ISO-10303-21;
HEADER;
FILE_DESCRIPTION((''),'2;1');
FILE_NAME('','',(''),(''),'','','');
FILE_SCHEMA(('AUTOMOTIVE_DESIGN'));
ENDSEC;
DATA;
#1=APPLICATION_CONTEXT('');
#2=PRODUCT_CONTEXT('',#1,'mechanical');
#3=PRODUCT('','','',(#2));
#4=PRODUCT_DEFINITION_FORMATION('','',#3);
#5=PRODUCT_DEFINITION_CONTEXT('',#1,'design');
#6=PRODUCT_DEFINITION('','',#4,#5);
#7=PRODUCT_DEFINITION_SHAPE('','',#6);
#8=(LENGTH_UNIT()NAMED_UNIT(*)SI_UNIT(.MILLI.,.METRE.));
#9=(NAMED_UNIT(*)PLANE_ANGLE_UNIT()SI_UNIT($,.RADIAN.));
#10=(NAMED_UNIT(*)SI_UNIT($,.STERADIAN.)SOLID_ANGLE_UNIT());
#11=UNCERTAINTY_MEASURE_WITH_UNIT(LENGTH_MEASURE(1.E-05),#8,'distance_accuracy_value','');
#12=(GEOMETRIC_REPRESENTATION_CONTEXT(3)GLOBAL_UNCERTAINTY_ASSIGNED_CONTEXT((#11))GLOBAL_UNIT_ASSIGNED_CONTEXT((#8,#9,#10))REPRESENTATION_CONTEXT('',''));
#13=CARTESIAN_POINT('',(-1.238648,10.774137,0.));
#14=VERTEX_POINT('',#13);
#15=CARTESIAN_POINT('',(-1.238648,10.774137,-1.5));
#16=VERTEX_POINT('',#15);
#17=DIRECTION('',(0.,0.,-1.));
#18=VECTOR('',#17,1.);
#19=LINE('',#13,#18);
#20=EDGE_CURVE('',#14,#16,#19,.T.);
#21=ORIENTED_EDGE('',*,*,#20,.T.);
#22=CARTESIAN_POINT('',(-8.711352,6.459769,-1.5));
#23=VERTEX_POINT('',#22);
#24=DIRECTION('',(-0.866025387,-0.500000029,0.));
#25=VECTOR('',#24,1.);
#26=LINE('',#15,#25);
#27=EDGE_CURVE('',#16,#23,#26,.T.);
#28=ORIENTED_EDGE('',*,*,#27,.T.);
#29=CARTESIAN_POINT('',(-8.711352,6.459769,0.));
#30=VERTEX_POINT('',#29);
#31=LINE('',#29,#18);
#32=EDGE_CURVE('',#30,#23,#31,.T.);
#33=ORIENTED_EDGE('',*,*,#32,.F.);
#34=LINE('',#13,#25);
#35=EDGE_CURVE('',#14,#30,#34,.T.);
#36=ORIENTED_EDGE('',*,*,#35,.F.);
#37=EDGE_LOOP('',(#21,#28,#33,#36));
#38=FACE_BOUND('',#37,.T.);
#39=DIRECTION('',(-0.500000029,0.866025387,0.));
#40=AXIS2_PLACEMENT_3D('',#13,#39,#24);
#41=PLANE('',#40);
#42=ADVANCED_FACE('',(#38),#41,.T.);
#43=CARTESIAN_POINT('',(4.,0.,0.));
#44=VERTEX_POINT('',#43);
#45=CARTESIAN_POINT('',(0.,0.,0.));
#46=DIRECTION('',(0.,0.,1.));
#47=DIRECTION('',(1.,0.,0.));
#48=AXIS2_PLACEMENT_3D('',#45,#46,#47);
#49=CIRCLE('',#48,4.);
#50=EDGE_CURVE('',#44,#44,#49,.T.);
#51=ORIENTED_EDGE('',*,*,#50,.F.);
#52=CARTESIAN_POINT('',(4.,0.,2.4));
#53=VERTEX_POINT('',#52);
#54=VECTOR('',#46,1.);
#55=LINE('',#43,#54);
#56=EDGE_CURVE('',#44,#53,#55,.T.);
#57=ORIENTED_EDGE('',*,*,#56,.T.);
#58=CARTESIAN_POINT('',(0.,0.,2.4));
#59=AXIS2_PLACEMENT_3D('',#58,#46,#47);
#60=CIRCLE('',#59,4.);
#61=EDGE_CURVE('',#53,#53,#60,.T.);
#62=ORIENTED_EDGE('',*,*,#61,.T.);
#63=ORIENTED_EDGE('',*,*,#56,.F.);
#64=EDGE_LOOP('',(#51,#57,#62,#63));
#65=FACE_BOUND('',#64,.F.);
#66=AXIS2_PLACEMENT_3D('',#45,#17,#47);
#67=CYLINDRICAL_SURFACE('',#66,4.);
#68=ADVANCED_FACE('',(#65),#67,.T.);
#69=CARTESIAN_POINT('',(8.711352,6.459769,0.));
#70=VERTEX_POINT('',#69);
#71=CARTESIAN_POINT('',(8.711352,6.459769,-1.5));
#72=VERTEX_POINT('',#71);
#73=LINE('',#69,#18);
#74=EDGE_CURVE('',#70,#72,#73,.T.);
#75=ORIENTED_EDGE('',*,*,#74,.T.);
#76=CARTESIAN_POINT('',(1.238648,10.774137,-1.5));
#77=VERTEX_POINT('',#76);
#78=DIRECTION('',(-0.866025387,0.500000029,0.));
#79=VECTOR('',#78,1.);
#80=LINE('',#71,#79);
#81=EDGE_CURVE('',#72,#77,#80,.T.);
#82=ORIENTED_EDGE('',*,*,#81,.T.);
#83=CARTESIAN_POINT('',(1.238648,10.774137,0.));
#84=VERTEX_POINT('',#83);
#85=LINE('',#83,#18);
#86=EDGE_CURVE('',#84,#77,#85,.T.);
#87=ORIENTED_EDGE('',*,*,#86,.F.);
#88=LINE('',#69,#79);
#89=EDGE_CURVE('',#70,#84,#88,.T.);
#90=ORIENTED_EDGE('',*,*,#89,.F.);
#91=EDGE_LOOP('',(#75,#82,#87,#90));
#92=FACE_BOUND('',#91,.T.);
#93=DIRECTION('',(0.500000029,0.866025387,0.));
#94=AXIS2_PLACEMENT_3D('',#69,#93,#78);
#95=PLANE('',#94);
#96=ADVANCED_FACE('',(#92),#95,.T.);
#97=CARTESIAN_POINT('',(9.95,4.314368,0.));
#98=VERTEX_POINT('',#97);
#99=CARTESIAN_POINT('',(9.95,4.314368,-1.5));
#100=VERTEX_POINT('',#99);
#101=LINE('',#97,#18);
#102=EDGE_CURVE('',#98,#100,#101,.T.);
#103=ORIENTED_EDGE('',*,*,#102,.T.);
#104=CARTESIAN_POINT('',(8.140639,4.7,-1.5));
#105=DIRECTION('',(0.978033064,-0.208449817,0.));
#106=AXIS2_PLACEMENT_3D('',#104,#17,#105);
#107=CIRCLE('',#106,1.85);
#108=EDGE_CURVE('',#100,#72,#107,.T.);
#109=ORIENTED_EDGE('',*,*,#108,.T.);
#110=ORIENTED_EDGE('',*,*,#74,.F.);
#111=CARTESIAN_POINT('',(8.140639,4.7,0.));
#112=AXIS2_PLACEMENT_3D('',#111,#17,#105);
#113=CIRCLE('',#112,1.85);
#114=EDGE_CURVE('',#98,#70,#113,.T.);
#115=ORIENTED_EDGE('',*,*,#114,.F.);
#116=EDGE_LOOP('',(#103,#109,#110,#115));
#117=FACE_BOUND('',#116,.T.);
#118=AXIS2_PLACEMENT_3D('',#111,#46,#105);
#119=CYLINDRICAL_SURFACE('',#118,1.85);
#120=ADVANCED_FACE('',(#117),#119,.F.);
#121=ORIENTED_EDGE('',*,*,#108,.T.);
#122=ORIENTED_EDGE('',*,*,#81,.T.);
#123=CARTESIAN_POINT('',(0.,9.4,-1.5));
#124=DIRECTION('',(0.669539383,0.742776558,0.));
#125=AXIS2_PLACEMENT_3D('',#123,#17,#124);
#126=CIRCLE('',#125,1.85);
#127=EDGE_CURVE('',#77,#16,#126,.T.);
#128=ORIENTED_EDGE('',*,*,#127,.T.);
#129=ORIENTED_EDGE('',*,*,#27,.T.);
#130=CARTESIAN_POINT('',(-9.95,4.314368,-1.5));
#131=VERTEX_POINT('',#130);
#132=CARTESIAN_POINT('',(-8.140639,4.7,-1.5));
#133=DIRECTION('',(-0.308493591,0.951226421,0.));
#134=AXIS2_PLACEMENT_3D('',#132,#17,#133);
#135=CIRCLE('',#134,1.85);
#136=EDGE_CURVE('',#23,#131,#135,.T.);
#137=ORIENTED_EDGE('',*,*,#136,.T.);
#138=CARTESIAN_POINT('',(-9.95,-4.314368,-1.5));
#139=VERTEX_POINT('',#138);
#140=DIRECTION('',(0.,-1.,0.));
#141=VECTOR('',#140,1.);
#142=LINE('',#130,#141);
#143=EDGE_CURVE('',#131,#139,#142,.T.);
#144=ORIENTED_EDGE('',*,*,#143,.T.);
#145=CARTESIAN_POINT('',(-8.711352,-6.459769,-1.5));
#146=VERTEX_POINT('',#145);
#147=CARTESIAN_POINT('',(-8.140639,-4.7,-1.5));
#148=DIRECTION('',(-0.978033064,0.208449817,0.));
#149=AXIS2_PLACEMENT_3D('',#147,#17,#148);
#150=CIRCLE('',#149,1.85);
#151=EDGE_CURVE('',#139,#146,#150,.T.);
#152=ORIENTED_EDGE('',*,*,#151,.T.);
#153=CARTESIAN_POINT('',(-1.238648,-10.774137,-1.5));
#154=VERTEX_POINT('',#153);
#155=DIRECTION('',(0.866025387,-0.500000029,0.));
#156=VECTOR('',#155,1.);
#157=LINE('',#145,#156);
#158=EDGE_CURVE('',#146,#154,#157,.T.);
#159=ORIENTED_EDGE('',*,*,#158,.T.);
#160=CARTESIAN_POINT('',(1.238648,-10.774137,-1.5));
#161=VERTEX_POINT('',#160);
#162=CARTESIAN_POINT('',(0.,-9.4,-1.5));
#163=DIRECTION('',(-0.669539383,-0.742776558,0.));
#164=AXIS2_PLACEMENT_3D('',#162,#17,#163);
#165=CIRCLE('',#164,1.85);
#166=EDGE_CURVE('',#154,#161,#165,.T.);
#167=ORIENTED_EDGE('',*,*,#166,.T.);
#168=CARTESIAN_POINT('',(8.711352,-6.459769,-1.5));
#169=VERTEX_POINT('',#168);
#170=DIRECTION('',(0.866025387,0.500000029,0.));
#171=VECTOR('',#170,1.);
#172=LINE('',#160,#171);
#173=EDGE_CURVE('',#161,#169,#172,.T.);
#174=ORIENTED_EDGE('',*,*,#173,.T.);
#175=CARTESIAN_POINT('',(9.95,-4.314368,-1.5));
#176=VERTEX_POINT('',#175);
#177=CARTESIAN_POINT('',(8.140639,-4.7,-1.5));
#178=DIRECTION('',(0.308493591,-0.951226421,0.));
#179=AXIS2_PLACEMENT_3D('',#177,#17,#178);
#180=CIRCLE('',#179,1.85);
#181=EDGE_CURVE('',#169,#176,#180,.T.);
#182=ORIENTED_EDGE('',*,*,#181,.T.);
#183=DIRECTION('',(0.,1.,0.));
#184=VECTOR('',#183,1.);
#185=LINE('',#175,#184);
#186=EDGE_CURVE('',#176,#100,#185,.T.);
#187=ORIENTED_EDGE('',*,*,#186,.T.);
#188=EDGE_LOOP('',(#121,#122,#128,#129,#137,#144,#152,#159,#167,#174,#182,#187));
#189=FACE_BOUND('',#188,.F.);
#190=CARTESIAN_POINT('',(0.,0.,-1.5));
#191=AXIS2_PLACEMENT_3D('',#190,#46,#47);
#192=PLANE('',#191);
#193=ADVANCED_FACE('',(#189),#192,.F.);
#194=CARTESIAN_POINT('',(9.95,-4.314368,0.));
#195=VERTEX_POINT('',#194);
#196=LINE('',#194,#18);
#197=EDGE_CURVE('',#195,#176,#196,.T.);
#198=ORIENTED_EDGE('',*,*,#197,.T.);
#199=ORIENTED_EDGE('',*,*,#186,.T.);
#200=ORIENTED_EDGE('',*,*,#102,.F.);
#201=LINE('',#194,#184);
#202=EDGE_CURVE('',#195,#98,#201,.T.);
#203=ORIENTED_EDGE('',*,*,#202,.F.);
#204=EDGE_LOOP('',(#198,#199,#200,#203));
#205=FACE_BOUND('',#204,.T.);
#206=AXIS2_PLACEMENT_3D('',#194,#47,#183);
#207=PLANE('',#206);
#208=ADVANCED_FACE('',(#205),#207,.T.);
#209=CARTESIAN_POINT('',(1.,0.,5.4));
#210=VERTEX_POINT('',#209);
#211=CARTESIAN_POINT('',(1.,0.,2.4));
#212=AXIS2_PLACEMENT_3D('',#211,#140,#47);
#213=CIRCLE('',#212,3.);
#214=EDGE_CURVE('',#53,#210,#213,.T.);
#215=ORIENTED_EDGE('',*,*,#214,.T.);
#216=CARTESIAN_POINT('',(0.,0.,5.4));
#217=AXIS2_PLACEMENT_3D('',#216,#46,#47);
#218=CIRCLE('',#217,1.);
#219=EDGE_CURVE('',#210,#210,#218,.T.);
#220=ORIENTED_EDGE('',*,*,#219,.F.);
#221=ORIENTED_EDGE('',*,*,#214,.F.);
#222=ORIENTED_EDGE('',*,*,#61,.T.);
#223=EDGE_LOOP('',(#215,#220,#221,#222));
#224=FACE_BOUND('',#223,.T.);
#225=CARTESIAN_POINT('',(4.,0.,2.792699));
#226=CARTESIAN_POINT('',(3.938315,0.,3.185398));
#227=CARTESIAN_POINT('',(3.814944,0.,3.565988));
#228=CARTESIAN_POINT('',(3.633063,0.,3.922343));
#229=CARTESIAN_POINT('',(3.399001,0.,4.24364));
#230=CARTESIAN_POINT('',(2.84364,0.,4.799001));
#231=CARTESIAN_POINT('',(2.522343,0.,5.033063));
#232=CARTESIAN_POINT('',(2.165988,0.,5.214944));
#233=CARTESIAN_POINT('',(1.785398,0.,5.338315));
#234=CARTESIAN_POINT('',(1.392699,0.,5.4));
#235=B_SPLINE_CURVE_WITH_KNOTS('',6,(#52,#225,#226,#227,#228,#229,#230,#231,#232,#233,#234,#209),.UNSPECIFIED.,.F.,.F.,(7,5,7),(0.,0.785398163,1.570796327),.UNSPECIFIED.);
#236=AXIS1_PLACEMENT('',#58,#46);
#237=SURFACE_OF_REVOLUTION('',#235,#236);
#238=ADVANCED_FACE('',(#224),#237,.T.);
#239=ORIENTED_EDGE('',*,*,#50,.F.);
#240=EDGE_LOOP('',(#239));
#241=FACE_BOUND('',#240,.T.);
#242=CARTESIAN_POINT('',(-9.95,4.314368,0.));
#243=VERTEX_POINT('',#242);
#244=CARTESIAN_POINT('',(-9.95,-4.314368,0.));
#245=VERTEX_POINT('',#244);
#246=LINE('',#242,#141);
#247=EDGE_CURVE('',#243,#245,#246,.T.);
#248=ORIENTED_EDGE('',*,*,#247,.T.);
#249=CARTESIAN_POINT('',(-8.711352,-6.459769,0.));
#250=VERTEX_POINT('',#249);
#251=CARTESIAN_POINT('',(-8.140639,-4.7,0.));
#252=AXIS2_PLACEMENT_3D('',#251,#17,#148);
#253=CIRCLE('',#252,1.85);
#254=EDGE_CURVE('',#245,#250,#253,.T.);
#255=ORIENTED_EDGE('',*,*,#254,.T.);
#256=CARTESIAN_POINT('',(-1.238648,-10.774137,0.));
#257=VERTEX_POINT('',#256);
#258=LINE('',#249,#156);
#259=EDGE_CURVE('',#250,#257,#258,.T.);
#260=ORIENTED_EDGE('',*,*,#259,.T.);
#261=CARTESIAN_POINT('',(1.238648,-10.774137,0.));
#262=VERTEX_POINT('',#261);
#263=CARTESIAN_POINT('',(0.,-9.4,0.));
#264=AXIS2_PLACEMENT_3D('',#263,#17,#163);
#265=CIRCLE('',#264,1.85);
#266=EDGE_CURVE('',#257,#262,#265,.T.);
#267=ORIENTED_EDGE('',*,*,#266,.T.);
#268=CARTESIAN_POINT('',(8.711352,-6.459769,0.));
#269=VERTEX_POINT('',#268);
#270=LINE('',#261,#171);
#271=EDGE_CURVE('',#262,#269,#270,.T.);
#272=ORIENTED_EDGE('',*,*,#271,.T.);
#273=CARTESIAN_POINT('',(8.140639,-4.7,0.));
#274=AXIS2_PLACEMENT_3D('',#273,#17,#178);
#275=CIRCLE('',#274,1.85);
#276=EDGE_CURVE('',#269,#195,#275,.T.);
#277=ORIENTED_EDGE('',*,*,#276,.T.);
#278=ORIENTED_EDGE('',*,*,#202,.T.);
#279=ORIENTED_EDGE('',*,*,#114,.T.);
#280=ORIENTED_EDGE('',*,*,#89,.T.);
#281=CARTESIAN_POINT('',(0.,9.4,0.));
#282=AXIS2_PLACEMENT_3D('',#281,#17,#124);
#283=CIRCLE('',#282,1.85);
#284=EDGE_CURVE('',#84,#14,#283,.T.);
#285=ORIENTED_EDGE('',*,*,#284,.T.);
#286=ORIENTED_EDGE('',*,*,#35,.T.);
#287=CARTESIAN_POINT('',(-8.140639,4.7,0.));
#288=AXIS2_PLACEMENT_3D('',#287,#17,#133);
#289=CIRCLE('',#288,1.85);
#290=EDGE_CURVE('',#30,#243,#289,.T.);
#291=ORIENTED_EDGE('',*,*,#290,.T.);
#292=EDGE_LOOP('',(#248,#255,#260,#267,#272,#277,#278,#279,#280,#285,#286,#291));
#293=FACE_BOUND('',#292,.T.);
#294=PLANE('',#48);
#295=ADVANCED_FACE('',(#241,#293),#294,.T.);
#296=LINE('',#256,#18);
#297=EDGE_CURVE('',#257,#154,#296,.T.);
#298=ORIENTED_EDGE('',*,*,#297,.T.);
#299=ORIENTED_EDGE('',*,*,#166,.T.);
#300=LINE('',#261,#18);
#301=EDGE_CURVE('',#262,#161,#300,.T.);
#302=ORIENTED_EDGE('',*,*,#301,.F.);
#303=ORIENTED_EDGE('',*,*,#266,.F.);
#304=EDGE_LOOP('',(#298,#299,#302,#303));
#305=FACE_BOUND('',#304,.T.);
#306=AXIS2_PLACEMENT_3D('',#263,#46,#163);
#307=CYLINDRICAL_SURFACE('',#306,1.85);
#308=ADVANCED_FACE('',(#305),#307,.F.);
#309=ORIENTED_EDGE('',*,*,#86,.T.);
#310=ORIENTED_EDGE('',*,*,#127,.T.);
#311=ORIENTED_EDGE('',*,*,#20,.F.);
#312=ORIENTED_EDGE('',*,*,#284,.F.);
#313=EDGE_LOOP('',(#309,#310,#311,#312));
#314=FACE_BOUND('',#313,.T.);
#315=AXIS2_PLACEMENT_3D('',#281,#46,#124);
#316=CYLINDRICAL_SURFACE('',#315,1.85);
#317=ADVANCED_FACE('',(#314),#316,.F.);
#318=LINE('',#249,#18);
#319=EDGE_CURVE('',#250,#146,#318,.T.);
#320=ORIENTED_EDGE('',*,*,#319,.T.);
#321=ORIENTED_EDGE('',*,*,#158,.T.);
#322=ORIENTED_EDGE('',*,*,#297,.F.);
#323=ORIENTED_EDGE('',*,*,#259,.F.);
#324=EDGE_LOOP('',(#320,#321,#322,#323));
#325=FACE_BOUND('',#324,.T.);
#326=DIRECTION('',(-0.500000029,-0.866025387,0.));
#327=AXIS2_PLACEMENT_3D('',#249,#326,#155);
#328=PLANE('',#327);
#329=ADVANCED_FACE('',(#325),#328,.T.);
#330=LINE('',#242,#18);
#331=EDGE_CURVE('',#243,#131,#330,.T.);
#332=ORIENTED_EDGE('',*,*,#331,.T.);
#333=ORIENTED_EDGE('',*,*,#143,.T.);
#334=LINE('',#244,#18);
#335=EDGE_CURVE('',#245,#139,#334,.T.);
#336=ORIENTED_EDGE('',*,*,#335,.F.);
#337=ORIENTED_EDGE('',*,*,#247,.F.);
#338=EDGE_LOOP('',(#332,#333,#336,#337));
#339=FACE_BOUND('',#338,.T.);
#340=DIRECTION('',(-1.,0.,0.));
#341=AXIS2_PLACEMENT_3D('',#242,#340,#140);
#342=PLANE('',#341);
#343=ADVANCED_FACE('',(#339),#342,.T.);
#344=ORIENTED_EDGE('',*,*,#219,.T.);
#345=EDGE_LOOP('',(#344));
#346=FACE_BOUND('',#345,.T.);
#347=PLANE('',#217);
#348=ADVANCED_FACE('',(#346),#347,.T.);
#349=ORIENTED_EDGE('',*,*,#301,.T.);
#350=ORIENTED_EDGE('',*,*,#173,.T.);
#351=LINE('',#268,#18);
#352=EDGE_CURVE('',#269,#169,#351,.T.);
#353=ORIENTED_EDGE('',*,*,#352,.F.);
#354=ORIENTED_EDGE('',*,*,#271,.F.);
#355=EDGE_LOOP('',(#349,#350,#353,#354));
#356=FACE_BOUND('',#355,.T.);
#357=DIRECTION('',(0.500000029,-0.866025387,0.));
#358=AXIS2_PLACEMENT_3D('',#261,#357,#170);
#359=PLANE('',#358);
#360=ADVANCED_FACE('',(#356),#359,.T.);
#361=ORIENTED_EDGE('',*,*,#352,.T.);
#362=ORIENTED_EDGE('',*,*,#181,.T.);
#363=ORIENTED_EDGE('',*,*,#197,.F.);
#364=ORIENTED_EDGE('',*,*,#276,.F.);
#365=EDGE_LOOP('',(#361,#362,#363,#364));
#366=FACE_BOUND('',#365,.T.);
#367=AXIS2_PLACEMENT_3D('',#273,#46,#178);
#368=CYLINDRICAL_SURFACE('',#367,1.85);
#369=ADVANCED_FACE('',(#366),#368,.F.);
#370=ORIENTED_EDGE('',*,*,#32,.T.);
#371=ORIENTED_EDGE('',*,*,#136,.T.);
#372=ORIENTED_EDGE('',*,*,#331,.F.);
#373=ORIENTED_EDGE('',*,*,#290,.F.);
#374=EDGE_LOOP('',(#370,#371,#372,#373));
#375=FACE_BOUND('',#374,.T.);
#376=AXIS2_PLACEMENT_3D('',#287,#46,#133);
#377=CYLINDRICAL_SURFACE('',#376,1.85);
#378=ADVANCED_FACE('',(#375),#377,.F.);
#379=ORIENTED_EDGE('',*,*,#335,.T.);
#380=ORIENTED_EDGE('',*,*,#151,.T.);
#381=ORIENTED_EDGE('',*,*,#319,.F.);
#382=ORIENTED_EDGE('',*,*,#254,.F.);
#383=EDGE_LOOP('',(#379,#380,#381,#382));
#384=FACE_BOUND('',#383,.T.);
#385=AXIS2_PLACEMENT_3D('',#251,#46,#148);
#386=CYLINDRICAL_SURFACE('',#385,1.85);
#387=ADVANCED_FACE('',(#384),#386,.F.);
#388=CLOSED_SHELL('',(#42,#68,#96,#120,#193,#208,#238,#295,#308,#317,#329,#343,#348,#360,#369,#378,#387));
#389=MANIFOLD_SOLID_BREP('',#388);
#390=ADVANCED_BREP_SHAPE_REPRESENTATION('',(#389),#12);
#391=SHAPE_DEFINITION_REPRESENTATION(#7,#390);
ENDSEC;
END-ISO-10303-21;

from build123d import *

# Parameters (mm, degrees)
F1_DEPTH = 1.5
F2_R     = 4
F3_DEPTH = 5.4
F4_R     = 3


with BuildPart() as f1:
    # F0 (on Top) → F1 (new body)
    with BuildSketch(Plane.XY):
        with BuildLine():
            Line((9.95, -4.314368), (9.95, 4.314368))
            ThreePointArc((9.95, 4.314368), (6.538492, 3.775), (8.711352, 6.459769))
            Line((8.711352, 6.459769), (1.238648, 10.774137))
            ThreePointArc((1.238648, 10.774137), (0, 7.55), (-1.238648, 10.774137))
            Line((-1.238648, 10.774137), (-8.711352, 6.459769))
            ThreePointArc((-8.711352, 6.459769), (-6.538492, 3.775), (-9.95, 4.314368))
            Line((-9.95, 4.314368), (-9.95, -4.314368))
            ThreePointArc((-9.95, -4.314368), (-6.538492, -3.775), (-8.711352, -6.459769))
            Line((-8.711352, -6.459769), (-1.238648, -10.774137))
            ThreePointArc((-1.238648, -10.774137), (0, -7.55), (1.238648, -10.774137))
            Line((1.238648, -10.774137), (8.711352, -6.459769))
            ThreePointArc((8.711352, -6.459769), (6.538492, -3.775), (9.95, -4.314368))
        make_face()
    extrude(amount=-F1_DEPTH)

    # F2 (on face) → F3 (join)
    with BuildSketch(Plane.XY):
        Circle(F2_R)
    extrude(amount=F3_DEPTH)

    # F4
    f4_edges = [f1.edges().sort_by_distance(p)[0] for p in [
        (-4, 0, 5.4),
    ]]
    fillet(f4_edges, radius=F4_R)


solid = f1.part
